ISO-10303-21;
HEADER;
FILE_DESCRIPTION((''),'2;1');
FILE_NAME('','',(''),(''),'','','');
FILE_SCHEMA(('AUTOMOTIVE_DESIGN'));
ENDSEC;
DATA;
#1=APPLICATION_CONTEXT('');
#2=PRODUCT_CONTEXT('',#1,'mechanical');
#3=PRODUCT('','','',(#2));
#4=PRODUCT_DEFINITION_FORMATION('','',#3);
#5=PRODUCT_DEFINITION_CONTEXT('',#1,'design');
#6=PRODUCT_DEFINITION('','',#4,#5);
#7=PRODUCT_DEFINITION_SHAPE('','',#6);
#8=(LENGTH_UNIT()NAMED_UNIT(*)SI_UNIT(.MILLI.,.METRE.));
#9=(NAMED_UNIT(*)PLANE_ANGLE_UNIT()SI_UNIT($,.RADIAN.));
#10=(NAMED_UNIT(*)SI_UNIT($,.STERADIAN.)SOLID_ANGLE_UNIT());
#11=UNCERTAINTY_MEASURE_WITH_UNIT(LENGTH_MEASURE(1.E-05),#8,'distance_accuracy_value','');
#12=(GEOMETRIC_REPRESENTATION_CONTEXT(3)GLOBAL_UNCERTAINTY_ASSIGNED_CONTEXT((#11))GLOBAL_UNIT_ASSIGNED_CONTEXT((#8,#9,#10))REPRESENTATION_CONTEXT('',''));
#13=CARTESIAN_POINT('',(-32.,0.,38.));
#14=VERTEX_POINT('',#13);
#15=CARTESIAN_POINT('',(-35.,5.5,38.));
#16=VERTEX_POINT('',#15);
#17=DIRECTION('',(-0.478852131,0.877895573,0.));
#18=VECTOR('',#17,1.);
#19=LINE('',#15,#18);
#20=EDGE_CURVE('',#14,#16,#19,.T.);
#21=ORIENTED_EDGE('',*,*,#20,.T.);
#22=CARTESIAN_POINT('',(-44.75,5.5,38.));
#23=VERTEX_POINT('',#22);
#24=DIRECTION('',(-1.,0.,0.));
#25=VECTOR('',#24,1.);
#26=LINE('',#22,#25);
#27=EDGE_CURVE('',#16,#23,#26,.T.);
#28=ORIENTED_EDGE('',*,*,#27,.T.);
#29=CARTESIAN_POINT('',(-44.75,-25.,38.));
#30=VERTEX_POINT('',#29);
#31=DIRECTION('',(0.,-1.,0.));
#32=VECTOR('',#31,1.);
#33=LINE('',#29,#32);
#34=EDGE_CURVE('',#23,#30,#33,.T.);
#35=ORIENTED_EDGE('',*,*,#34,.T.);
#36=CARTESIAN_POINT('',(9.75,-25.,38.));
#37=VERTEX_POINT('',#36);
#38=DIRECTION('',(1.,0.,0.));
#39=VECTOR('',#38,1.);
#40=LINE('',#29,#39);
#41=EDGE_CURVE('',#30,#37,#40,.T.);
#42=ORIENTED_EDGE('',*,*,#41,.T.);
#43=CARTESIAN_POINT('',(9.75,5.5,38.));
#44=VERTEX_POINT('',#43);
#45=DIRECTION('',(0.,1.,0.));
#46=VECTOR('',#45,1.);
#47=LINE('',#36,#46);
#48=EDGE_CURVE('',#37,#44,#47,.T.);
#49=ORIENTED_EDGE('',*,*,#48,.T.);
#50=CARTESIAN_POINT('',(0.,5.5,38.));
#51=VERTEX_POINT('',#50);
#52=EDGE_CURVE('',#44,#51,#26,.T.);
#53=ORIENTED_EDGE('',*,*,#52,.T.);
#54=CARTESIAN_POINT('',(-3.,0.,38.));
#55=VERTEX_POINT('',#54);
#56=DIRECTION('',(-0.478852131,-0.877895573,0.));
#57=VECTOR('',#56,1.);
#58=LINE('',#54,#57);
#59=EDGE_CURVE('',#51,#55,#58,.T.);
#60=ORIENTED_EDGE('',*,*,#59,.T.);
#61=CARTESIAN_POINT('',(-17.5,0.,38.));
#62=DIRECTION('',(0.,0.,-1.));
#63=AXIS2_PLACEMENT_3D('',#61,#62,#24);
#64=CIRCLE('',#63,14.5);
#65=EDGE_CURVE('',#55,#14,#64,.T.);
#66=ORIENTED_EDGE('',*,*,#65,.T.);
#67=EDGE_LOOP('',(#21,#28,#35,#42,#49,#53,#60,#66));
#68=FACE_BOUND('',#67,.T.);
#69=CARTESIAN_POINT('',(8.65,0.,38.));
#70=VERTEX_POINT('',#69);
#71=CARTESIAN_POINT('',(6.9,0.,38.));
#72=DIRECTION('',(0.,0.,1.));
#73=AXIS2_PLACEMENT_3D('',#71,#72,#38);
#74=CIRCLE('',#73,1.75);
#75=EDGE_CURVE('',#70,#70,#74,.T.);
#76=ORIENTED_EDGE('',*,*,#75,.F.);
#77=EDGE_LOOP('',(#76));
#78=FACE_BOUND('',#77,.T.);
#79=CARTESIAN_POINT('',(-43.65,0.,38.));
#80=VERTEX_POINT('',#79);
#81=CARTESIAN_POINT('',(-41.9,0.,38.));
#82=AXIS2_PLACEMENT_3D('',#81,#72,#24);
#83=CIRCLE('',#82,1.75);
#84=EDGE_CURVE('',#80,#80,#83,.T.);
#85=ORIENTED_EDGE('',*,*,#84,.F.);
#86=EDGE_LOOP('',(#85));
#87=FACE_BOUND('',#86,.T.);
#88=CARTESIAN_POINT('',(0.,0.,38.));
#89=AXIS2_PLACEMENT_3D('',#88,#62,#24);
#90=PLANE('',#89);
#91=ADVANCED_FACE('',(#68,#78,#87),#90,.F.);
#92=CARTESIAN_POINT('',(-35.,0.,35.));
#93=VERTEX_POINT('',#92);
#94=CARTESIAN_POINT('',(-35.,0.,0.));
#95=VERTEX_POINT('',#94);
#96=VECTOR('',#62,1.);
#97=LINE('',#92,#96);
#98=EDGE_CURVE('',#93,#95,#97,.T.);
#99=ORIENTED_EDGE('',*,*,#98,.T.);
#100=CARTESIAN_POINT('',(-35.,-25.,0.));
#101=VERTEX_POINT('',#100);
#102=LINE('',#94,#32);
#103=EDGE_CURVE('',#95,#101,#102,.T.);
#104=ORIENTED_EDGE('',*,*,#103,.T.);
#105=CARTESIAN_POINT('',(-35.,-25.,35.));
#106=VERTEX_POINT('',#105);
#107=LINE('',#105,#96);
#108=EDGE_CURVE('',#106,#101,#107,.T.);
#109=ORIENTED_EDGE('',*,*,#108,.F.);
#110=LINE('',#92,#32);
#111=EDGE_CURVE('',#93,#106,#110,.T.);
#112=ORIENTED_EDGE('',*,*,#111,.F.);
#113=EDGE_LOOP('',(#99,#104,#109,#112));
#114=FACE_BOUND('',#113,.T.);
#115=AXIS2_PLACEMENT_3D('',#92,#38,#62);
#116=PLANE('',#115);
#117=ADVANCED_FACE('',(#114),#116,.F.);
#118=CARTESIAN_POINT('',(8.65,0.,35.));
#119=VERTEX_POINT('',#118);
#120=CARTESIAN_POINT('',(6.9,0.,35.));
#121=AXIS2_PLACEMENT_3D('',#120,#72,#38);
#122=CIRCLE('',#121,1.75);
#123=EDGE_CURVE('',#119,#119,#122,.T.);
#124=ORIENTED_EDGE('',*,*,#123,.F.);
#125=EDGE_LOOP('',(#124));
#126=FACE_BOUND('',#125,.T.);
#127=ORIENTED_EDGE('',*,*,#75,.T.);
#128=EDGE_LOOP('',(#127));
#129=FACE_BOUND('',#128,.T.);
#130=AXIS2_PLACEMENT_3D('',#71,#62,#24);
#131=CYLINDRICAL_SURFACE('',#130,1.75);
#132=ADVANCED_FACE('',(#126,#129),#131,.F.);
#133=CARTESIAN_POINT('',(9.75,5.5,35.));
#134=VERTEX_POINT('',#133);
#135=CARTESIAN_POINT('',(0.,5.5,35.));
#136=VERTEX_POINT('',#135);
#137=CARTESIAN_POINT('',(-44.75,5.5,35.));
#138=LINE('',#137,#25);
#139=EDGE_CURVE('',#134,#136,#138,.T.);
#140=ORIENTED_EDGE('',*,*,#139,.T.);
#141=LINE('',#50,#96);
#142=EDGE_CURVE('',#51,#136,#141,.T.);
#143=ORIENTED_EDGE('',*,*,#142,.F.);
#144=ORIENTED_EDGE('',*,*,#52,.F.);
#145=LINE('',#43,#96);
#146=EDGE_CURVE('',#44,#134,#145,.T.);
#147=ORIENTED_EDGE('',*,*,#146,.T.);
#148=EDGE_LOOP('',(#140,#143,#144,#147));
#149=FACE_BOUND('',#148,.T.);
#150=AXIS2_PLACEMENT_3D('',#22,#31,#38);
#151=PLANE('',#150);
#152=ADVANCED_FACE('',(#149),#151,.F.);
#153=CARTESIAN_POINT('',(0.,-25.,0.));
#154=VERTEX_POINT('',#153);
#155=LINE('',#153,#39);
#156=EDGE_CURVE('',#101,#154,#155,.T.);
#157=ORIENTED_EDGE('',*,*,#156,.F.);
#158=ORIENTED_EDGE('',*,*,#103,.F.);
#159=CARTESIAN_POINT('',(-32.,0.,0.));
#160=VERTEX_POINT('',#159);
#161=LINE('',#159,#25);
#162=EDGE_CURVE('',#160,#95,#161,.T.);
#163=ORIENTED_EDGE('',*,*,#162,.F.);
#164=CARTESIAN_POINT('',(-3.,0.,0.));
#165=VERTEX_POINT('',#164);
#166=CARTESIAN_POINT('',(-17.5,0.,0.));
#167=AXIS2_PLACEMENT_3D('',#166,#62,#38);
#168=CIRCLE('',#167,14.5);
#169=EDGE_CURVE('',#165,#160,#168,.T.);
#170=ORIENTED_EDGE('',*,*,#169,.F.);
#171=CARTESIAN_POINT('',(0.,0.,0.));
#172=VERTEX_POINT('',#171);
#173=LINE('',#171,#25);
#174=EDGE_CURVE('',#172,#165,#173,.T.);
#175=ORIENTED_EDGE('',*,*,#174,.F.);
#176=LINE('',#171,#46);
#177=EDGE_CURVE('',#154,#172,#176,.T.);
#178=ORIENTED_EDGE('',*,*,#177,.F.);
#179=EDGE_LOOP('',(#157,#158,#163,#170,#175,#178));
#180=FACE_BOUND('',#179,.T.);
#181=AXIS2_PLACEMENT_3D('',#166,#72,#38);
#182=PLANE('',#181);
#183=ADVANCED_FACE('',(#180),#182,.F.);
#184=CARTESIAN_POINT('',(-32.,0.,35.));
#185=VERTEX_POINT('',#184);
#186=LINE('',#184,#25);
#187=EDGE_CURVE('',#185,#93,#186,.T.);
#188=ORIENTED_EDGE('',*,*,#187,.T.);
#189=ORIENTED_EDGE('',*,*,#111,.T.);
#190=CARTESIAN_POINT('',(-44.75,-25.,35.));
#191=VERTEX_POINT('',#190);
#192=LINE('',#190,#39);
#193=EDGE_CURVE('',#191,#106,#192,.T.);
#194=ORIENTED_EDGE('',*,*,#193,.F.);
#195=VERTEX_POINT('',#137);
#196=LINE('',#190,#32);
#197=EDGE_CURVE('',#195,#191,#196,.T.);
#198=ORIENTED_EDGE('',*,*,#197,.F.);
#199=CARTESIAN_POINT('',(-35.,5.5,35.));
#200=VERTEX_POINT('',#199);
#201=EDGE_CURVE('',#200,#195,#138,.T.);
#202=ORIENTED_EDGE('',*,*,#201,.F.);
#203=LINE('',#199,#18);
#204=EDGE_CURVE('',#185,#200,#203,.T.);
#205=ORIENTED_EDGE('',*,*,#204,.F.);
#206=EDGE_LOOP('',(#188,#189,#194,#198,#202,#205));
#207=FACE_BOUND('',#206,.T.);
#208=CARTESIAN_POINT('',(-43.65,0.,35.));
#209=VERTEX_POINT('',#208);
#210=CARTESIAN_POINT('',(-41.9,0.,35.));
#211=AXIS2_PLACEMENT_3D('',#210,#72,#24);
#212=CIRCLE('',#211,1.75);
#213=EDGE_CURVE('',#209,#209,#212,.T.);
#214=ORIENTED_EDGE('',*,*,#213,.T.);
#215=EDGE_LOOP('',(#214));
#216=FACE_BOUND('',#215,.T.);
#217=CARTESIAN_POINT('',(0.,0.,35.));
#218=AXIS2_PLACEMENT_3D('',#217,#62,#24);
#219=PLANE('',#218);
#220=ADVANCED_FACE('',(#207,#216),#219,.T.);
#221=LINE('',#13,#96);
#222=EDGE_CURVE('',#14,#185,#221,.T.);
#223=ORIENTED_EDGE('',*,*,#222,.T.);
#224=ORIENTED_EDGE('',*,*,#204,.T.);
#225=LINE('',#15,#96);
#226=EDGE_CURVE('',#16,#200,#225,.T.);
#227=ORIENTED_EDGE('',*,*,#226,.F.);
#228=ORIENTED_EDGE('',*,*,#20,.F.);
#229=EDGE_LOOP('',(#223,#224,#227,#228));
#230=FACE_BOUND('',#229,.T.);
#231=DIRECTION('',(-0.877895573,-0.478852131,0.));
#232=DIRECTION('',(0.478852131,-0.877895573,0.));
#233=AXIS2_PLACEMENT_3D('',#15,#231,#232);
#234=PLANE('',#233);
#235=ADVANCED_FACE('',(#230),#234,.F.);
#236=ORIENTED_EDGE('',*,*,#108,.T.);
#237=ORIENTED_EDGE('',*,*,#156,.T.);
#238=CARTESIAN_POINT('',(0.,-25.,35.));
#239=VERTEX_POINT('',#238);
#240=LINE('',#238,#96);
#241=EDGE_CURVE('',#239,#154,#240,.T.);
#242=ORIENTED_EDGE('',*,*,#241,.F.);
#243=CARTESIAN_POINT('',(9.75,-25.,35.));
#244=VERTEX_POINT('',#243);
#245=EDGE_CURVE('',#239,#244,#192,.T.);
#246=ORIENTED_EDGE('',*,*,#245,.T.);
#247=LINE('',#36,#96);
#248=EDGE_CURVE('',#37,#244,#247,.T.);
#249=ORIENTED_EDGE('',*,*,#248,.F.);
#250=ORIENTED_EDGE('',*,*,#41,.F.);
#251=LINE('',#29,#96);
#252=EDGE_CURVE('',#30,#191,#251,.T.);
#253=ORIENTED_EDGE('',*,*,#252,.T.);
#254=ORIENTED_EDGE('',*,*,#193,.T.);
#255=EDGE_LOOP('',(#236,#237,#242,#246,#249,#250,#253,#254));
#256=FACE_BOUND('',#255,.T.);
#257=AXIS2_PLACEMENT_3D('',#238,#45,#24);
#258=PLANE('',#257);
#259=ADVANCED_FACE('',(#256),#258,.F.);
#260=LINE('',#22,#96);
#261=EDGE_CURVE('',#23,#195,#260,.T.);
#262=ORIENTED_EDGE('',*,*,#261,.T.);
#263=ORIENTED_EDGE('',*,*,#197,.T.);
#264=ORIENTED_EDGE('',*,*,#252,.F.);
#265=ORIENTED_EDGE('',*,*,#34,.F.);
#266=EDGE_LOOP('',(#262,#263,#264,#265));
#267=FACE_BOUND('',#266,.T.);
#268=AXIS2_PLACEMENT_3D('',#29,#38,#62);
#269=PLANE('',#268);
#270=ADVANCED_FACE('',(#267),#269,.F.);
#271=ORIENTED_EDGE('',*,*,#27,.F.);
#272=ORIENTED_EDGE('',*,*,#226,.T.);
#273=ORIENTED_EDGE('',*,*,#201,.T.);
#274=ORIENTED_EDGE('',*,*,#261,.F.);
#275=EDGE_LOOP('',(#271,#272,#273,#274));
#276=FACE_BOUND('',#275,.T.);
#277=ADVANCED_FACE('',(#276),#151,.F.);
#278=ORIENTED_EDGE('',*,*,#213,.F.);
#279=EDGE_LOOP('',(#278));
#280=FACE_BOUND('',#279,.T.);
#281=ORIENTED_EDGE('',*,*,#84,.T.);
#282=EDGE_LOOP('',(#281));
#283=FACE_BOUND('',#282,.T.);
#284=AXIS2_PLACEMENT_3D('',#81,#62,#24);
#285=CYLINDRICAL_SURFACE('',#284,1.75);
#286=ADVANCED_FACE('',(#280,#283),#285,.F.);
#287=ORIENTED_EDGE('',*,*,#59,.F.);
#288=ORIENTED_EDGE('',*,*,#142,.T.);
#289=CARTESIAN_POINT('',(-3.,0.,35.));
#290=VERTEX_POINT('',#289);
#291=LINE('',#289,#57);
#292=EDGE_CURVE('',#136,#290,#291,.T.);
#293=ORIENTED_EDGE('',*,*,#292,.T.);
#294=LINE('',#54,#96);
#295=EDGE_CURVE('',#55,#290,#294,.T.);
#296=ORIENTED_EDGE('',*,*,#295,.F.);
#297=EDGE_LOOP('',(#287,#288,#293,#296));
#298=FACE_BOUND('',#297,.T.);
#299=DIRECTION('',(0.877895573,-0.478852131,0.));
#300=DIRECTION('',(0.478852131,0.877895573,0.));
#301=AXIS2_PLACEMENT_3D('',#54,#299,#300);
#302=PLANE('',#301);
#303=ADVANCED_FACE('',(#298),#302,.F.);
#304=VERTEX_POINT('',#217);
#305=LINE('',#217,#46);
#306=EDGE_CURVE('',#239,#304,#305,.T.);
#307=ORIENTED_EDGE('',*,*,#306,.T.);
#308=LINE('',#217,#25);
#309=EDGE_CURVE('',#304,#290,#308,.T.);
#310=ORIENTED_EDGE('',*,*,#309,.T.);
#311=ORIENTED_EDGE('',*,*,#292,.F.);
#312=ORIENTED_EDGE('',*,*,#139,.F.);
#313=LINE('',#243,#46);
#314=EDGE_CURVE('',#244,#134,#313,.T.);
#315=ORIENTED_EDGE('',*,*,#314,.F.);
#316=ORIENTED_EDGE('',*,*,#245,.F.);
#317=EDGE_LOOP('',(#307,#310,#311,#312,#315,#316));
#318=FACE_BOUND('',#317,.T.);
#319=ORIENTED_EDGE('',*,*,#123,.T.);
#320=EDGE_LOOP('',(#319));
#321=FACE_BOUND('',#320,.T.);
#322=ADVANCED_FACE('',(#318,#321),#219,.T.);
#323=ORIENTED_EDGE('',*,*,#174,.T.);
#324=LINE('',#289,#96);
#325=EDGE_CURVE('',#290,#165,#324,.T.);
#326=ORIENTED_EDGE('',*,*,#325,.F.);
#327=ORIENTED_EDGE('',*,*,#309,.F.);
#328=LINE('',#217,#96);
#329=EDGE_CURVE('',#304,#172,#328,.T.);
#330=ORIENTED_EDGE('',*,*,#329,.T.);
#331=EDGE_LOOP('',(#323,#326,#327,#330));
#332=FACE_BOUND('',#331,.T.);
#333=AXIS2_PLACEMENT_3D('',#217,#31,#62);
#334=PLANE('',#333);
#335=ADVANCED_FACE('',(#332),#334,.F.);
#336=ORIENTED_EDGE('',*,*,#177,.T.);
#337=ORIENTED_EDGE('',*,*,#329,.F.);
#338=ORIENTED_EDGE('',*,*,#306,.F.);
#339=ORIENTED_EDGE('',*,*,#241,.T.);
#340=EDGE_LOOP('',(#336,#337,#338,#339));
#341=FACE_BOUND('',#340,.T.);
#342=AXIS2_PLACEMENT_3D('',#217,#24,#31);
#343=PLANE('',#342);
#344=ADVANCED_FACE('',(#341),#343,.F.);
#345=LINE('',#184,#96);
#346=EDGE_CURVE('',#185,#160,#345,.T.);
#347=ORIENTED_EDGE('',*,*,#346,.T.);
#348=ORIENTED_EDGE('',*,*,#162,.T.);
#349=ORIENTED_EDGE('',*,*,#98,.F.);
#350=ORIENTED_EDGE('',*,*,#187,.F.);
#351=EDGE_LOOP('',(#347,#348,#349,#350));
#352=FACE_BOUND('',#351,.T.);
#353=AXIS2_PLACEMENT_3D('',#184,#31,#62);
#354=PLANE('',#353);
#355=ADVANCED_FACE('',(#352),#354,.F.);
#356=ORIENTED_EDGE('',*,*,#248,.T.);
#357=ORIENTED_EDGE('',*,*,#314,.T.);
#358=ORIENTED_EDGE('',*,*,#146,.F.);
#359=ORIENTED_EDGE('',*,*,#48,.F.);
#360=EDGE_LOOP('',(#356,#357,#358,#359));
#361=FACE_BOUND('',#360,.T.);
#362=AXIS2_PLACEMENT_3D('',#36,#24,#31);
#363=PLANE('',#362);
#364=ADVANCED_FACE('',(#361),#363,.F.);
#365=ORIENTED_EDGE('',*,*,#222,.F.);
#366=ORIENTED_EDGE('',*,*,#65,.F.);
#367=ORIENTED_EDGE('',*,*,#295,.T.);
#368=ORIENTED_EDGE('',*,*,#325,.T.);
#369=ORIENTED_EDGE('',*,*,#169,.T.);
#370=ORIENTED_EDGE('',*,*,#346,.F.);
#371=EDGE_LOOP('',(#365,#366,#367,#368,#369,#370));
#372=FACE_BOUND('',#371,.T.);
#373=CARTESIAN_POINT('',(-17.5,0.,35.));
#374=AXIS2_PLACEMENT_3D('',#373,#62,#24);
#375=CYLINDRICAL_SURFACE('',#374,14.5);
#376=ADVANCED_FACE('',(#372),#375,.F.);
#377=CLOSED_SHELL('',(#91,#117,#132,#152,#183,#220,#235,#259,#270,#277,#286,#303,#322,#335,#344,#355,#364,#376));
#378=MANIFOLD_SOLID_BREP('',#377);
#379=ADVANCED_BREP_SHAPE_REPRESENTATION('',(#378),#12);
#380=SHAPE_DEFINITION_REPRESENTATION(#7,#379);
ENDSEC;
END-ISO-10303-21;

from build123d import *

# Parameters (mm, degrees)
EXTRUDE_1_DEPTH     = 35
SKETCH_2_W          = 54.5
SKETCH_2_H          = 30.5
SKETCH_2_R          = 1.75
EXTRUDE_2_DEPTH     = 3
CUT_EXTRUDE_2_DEPTH = 63.069014009


with BuildPart() as part:
    # Эскиз1 → Бобышка-Вытянуть1 (new body)
    with BuildSketch(Plane.XY):
        with BuildLine():
            Line((-32, 0), (-35, 0))
            Line((-35, 0), (-35, -25))
            Line((-35, -25), (0, -25))
            Line((0, -25), (0, 0))
            Line((0, 0), (-3, 0))
            ThreePointArc((-3, 0), (-17.5, -14.5), (-32, 0))
        make_face()
    extrude(amount=EXTRUDE_1_DEPTH)

    # Эскиз2 → Бобышка-Вытянуть2 (add)
    with BuildSketch(Plane.XY.offset(35)):
        with Locations((-17.5, -9.75)):
            Rectangle(SKETCH_2_W, SKETCH_2_H)
        with Locations((6.9, 0)):
            Circle(SKETCH_2_R, mode=Mode.SUBTRACT)
        with Locations(Location((-41.9, 0, 0), (0, 0, 180))):
            Circle(SKETCH_2_R, mode=Mode.SUBTRACT)
    extrude(amount=EXTRUDE_2_DEPTH)

    # Эскиз3 → Вырез-Вытянуть2 (cut, through all)
    with BuildSketch(Plane(origin=(0, 0, 35), x_dir=(-1, 0, 0), z_dir=(0, 0, -1))):
        with BuildLine():
            Line((3, 0), (0, 5.5))
            Line((0, 5.5), (35, 5.5))
            Line((35, 5.5), (32, 0))
            ThreePointArc((32, 0), (17.5, -14.5), (3, 0))
        make_face()
    extrude(amount=-CUT_EXTRUDE_2_DEPTH, mode=Mode.SUBTRACT)


solid = part.part
